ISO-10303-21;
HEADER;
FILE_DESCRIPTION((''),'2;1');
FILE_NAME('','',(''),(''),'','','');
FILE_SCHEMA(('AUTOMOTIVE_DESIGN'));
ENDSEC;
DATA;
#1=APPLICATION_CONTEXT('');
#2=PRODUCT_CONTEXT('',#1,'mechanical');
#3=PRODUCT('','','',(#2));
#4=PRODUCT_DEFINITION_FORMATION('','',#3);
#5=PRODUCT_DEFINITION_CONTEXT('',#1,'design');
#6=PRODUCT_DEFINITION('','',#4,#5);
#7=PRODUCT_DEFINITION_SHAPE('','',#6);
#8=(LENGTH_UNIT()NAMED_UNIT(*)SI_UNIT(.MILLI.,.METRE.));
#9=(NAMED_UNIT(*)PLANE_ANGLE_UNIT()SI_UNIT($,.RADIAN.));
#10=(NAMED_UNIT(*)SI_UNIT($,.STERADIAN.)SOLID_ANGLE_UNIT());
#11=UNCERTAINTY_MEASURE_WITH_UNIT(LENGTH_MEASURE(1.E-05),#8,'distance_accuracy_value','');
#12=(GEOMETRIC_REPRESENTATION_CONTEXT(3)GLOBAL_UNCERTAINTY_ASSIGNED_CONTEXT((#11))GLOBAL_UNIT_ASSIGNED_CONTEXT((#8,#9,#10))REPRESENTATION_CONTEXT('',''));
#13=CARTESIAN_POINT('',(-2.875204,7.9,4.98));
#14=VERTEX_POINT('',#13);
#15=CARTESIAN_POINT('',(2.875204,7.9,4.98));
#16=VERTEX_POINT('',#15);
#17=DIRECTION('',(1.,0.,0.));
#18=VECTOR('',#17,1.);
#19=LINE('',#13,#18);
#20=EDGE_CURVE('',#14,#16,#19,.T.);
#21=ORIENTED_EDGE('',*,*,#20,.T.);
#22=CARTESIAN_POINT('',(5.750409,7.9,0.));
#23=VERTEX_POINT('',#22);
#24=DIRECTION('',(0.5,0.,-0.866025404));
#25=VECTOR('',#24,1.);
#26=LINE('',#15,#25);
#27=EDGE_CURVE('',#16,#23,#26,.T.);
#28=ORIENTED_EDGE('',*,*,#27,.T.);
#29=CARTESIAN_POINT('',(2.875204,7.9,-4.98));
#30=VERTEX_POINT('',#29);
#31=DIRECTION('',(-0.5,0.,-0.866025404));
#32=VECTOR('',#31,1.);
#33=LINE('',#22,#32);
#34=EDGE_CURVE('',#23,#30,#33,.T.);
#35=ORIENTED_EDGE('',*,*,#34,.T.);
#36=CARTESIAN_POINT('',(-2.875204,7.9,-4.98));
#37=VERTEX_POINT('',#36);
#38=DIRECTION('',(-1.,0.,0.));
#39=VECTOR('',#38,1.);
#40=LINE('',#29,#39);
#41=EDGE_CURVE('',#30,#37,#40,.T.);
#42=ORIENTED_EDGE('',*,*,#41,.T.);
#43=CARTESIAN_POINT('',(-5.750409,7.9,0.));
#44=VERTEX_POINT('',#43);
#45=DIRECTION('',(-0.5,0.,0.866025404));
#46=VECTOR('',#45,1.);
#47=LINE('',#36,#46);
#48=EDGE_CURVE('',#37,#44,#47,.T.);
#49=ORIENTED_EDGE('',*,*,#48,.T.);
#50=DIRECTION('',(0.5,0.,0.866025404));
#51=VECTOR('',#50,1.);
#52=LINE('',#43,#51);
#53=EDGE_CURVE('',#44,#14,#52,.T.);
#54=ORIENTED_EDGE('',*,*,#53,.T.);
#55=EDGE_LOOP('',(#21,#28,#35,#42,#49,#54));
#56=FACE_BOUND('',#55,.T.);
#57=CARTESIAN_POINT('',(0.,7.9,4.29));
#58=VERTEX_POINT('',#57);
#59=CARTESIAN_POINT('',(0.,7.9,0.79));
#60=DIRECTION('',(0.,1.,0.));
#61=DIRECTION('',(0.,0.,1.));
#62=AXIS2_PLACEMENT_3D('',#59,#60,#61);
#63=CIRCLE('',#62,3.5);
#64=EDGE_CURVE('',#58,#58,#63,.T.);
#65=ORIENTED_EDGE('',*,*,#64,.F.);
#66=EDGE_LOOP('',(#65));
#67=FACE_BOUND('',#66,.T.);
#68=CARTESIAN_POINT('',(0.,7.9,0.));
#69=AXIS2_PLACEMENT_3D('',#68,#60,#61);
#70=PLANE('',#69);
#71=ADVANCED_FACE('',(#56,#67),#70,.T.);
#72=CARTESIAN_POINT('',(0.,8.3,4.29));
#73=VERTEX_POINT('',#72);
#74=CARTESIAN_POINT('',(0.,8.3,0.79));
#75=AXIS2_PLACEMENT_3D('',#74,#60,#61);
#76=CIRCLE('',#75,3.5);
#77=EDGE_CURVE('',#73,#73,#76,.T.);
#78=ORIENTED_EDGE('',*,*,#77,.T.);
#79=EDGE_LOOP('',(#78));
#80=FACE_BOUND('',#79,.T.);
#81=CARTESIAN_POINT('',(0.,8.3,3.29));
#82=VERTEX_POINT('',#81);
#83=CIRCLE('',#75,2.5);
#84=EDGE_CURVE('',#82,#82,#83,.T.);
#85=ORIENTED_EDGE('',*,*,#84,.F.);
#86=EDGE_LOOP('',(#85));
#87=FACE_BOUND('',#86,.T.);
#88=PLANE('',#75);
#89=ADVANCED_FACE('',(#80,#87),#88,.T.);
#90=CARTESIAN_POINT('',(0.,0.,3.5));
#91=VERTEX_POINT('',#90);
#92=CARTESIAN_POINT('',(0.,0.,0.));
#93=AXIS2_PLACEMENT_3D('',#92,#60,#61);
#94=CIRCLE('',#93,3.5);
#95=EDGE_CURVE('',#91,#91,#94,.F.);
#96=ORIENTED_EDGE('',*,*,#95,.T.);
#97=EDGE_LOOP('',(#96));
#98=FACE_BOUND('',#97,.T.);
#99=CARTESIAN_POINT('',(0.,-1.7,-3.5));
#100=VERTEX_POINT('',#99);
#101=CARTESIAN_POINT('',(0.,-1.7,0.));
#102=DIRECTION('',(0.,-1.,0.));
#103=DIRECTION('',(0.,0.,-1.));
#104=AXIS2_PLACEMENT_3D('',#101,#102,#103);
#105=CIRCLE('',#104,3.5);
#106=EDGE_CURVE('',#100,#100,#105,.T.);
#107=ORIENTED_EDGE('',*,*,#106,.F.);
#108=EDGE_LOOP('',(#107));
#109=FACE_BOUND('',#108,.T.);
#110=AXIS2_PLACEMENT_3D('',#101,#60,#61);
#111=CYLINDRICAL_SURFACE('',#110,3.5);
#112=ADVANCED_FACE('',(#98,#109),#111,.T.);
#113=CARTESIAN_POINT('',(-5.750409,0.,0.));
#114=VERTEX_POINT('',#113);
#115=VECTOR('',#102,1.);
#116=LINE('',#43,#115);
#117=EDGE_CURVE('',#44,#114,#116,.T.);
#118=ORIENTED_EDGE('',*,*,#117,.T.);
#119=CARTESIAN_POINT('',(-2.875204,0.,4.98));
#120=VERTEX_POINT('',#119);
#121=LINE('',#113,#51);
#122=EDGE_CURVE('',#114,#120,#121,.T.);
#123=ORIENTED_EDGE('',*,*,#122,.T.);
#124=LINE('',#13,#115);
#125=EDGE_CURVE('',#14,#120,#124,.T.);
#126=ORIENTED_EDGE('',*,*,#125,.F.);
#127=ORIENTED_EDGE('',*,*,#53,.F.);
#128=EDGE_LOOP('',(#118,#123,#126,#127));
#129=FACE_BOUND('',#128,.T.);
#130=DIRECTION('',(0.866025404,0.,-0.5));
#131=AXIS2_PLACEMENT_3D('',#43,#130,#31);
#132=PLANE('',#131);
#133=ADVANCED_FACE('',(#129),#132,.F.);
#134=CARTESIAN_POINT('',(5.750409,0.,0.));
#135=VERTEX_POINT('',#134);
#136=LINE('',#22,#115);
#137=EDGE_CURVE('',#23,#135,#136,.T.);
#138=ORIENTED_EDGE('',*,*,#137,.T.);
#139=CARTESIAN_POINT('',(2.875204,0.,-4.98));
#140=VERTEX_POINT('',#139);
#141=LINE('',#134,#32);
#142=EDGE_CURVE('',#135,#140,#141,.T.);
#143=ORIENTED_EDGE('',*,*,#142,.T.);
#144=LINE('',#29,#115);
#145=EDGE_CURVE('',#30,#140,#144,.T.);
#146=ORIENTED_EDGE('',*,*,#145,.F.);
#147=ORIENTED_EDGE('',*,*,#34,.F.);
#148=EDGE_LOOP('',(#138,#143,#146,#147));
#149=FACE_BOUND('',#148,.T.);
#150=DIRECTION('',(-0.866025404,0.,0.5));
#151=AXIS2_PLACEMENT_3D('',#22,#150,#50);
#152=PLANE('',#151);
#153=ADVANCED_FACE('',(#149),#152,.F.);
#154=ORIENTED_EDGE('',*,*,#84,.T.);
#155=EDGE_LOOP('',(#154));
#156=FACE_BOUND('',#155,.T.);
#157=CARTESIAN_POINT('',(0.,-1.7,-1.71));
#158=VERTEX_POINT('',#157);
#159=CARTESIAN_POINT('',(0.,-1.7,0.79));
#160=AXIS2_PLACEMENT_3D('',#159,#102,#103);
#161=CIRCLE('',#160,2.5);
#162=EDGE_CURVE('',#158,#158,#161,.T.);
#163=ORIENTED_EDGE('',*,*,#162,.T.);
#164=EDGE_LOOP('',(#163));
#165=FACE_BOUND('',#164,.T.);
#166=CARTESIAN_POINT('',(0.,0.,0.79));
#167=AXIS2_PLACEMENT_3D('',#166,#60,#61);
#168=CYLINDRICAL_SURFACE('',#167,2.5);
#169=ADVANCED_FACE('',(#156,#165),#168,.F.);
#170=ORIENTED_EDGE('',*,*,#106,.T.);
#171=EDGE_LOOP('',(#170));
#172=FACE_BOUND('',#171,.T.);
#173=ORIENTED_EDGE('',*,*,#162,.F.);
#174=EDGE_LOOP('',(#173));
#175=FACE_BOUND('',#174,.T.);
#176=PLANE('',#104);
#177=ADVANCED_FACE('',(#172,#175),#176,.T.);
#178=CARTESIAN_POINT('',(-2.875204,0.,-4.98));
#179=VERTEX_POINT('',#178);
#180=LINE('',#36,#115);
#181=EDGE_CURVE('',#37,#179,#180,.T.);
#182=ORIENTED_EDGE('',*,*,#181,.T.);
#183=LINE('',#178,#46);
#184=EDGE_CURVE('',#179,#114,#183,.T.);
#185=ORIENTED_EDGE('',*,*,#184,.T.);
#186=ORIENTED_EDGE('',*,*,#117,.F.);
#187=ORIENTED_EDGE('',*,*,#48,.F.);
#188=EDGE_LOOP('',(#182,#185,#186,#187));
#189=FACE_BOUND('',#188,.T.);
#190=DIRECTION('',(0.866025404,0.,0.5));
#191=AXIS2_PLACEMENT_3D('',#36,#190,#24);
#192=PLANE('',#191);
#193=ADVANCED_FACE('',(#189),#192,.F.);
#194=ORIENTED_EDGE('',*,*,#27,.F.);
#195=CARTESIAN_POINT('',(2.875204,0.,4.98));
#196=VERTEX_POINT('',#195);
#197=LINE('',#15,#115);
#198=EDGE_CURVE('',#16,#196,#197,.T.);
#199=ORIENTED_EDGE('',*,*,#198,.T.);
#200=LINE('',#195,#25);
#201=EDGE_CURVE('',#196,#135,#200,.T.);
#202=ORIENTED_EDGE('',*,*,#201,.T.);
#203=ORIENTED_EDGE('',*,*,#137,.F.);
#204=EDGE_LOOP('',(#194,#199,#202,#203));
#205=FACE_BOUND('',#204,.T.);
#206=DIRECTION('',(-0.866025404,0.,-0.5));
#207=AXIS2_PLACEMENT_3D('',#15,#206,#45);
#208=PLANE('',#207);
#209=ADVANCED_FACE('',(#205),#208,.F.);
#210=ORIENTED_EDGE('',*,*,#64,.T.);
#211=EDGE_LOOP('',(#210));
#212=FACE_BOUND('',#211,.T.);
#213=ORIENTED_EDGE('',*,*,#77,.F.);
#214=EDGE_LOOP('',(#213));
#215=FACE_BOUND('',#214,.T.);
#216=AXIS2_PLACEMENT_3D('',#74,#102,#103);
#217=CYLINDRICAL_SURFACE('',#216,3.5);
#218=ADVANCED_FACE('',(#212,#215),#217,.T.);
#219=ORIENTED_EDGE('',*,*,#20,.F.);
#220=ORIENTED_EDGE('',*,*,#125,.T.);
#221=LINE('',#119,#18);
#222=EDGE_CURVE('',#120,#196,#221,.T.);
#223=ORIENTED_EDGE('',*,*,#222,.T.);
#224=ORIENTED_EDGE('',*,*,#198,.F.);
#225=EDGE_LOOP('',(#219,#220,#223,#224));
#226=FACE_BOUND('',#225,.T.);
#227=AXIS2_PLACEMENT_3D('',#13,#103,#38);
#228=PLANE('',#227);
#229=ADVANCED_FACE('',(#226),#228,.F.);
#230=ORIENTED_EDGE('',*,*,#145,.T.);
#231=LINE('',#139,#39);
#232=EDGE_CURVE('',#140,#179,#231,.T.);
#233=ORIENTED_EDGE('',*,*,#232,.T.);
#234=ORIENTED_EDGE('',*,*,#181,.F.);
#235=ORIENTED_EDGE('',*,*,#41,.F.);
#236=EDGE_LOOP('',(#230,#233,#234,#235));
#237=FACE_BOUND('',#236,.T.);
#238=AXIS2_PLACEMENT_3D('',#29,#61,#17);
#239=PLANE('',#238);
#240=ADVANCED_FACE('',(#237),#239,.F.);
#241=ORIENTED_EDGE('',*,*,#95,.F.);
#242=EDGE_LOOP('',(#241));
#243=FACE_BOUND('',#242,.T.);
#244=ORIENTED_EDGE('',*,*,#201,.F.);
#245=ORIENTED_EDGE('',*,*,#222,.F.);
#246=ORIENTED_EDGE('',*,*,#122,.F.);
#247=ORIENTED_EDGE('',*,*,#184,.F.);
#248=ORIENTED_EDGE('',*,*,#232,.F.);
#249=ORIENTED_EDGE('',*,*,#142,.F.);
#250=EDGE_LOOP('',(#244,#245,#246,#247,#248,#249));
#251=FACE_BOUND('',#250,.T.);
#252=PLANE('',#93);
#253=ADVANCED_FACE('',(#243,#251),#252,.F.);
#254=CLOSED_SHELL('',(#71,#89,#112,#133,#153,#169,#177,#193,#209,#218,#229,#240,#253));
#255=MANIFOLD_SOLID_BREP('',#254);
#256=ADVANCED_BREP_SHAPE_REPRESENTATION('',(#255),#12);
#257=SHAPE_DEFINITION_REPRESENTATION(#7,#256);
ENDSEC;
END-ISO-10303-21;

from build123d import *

# Parameters (mm, degrees)
BOSS_EXTRUDE1_DEPTH = 7.9
SKETCH4_R           = 2.5
CUT_EXTRUDE1_DEPTH  = 8.9
SKETCH_1_R          = 3.5
SKETCH_1_R_2        = 2.5
EXTRUDE_1_DEPTH     = 0.4
SKETCH_2_R          = 3.5
SKETCH_2_R_2        = 2.5
EXTRUDE_2_DEPTH     = 1.7


with BuildPart() as part:
    # Sketch1 → Boss-Extrude1 (new body)
    with BuildSketch(Plane(origin=(0, 0, 0), x_dir=(1, 0, 0), z_dir=(0, 1, 0))):
        Polygon((5.750408681, 0), (2.875204341, 4.98), (-2.875204341, 4.98), (-5.750408681, 0), (-2.875204341, -4.98), (2.875204341, -4.98), align=None)
    extrude(amount=BOSS_EXTRUDE1_DEPTH)

    # Sketch4 → Cut-Extrude1 (cut, through all)
    with BuildSketch(Plane(origin=(0, 7.9, 0), x_dir=(1, 0, 0), z_dir=(0, 1, 0))):
        with Locations((0, -0.79)):
            Circle(SKETCH4_R)
    extrude(amount=-CUT_EXTRUDE1_DEPTH, mode=Mode.SUBTRACT)

    # 草图1 → 凸台-拉伸1 (add)
    with BuildSketch(Plane(origin=(0, 7.9, 0), x_dir=(1, 0, 0), z_dir=(0, 1, 0))):
        with Locations((0, -0.79)):
            Circle(SKETCH_1_R)
        with Locations((0, -0.79)):
            Circle(SKETCH_1_R_2, mode=Mode.SUBTRACT)
    extrude(amount=EXTRUDE_1_DEPTH)

    # 草图2 → 凸台-拉伸2 (add)
    with BuildSketch(Plane.XZ):
        Circle(SKETCH_2_R)
        with Locations((0, 0.79)):
            Circle(SKETCH_2_R_2, mode=Mode.SUBTRACT)
    extrude(amount=EXTRUDE_2_DEPTH)


solid = part.part
